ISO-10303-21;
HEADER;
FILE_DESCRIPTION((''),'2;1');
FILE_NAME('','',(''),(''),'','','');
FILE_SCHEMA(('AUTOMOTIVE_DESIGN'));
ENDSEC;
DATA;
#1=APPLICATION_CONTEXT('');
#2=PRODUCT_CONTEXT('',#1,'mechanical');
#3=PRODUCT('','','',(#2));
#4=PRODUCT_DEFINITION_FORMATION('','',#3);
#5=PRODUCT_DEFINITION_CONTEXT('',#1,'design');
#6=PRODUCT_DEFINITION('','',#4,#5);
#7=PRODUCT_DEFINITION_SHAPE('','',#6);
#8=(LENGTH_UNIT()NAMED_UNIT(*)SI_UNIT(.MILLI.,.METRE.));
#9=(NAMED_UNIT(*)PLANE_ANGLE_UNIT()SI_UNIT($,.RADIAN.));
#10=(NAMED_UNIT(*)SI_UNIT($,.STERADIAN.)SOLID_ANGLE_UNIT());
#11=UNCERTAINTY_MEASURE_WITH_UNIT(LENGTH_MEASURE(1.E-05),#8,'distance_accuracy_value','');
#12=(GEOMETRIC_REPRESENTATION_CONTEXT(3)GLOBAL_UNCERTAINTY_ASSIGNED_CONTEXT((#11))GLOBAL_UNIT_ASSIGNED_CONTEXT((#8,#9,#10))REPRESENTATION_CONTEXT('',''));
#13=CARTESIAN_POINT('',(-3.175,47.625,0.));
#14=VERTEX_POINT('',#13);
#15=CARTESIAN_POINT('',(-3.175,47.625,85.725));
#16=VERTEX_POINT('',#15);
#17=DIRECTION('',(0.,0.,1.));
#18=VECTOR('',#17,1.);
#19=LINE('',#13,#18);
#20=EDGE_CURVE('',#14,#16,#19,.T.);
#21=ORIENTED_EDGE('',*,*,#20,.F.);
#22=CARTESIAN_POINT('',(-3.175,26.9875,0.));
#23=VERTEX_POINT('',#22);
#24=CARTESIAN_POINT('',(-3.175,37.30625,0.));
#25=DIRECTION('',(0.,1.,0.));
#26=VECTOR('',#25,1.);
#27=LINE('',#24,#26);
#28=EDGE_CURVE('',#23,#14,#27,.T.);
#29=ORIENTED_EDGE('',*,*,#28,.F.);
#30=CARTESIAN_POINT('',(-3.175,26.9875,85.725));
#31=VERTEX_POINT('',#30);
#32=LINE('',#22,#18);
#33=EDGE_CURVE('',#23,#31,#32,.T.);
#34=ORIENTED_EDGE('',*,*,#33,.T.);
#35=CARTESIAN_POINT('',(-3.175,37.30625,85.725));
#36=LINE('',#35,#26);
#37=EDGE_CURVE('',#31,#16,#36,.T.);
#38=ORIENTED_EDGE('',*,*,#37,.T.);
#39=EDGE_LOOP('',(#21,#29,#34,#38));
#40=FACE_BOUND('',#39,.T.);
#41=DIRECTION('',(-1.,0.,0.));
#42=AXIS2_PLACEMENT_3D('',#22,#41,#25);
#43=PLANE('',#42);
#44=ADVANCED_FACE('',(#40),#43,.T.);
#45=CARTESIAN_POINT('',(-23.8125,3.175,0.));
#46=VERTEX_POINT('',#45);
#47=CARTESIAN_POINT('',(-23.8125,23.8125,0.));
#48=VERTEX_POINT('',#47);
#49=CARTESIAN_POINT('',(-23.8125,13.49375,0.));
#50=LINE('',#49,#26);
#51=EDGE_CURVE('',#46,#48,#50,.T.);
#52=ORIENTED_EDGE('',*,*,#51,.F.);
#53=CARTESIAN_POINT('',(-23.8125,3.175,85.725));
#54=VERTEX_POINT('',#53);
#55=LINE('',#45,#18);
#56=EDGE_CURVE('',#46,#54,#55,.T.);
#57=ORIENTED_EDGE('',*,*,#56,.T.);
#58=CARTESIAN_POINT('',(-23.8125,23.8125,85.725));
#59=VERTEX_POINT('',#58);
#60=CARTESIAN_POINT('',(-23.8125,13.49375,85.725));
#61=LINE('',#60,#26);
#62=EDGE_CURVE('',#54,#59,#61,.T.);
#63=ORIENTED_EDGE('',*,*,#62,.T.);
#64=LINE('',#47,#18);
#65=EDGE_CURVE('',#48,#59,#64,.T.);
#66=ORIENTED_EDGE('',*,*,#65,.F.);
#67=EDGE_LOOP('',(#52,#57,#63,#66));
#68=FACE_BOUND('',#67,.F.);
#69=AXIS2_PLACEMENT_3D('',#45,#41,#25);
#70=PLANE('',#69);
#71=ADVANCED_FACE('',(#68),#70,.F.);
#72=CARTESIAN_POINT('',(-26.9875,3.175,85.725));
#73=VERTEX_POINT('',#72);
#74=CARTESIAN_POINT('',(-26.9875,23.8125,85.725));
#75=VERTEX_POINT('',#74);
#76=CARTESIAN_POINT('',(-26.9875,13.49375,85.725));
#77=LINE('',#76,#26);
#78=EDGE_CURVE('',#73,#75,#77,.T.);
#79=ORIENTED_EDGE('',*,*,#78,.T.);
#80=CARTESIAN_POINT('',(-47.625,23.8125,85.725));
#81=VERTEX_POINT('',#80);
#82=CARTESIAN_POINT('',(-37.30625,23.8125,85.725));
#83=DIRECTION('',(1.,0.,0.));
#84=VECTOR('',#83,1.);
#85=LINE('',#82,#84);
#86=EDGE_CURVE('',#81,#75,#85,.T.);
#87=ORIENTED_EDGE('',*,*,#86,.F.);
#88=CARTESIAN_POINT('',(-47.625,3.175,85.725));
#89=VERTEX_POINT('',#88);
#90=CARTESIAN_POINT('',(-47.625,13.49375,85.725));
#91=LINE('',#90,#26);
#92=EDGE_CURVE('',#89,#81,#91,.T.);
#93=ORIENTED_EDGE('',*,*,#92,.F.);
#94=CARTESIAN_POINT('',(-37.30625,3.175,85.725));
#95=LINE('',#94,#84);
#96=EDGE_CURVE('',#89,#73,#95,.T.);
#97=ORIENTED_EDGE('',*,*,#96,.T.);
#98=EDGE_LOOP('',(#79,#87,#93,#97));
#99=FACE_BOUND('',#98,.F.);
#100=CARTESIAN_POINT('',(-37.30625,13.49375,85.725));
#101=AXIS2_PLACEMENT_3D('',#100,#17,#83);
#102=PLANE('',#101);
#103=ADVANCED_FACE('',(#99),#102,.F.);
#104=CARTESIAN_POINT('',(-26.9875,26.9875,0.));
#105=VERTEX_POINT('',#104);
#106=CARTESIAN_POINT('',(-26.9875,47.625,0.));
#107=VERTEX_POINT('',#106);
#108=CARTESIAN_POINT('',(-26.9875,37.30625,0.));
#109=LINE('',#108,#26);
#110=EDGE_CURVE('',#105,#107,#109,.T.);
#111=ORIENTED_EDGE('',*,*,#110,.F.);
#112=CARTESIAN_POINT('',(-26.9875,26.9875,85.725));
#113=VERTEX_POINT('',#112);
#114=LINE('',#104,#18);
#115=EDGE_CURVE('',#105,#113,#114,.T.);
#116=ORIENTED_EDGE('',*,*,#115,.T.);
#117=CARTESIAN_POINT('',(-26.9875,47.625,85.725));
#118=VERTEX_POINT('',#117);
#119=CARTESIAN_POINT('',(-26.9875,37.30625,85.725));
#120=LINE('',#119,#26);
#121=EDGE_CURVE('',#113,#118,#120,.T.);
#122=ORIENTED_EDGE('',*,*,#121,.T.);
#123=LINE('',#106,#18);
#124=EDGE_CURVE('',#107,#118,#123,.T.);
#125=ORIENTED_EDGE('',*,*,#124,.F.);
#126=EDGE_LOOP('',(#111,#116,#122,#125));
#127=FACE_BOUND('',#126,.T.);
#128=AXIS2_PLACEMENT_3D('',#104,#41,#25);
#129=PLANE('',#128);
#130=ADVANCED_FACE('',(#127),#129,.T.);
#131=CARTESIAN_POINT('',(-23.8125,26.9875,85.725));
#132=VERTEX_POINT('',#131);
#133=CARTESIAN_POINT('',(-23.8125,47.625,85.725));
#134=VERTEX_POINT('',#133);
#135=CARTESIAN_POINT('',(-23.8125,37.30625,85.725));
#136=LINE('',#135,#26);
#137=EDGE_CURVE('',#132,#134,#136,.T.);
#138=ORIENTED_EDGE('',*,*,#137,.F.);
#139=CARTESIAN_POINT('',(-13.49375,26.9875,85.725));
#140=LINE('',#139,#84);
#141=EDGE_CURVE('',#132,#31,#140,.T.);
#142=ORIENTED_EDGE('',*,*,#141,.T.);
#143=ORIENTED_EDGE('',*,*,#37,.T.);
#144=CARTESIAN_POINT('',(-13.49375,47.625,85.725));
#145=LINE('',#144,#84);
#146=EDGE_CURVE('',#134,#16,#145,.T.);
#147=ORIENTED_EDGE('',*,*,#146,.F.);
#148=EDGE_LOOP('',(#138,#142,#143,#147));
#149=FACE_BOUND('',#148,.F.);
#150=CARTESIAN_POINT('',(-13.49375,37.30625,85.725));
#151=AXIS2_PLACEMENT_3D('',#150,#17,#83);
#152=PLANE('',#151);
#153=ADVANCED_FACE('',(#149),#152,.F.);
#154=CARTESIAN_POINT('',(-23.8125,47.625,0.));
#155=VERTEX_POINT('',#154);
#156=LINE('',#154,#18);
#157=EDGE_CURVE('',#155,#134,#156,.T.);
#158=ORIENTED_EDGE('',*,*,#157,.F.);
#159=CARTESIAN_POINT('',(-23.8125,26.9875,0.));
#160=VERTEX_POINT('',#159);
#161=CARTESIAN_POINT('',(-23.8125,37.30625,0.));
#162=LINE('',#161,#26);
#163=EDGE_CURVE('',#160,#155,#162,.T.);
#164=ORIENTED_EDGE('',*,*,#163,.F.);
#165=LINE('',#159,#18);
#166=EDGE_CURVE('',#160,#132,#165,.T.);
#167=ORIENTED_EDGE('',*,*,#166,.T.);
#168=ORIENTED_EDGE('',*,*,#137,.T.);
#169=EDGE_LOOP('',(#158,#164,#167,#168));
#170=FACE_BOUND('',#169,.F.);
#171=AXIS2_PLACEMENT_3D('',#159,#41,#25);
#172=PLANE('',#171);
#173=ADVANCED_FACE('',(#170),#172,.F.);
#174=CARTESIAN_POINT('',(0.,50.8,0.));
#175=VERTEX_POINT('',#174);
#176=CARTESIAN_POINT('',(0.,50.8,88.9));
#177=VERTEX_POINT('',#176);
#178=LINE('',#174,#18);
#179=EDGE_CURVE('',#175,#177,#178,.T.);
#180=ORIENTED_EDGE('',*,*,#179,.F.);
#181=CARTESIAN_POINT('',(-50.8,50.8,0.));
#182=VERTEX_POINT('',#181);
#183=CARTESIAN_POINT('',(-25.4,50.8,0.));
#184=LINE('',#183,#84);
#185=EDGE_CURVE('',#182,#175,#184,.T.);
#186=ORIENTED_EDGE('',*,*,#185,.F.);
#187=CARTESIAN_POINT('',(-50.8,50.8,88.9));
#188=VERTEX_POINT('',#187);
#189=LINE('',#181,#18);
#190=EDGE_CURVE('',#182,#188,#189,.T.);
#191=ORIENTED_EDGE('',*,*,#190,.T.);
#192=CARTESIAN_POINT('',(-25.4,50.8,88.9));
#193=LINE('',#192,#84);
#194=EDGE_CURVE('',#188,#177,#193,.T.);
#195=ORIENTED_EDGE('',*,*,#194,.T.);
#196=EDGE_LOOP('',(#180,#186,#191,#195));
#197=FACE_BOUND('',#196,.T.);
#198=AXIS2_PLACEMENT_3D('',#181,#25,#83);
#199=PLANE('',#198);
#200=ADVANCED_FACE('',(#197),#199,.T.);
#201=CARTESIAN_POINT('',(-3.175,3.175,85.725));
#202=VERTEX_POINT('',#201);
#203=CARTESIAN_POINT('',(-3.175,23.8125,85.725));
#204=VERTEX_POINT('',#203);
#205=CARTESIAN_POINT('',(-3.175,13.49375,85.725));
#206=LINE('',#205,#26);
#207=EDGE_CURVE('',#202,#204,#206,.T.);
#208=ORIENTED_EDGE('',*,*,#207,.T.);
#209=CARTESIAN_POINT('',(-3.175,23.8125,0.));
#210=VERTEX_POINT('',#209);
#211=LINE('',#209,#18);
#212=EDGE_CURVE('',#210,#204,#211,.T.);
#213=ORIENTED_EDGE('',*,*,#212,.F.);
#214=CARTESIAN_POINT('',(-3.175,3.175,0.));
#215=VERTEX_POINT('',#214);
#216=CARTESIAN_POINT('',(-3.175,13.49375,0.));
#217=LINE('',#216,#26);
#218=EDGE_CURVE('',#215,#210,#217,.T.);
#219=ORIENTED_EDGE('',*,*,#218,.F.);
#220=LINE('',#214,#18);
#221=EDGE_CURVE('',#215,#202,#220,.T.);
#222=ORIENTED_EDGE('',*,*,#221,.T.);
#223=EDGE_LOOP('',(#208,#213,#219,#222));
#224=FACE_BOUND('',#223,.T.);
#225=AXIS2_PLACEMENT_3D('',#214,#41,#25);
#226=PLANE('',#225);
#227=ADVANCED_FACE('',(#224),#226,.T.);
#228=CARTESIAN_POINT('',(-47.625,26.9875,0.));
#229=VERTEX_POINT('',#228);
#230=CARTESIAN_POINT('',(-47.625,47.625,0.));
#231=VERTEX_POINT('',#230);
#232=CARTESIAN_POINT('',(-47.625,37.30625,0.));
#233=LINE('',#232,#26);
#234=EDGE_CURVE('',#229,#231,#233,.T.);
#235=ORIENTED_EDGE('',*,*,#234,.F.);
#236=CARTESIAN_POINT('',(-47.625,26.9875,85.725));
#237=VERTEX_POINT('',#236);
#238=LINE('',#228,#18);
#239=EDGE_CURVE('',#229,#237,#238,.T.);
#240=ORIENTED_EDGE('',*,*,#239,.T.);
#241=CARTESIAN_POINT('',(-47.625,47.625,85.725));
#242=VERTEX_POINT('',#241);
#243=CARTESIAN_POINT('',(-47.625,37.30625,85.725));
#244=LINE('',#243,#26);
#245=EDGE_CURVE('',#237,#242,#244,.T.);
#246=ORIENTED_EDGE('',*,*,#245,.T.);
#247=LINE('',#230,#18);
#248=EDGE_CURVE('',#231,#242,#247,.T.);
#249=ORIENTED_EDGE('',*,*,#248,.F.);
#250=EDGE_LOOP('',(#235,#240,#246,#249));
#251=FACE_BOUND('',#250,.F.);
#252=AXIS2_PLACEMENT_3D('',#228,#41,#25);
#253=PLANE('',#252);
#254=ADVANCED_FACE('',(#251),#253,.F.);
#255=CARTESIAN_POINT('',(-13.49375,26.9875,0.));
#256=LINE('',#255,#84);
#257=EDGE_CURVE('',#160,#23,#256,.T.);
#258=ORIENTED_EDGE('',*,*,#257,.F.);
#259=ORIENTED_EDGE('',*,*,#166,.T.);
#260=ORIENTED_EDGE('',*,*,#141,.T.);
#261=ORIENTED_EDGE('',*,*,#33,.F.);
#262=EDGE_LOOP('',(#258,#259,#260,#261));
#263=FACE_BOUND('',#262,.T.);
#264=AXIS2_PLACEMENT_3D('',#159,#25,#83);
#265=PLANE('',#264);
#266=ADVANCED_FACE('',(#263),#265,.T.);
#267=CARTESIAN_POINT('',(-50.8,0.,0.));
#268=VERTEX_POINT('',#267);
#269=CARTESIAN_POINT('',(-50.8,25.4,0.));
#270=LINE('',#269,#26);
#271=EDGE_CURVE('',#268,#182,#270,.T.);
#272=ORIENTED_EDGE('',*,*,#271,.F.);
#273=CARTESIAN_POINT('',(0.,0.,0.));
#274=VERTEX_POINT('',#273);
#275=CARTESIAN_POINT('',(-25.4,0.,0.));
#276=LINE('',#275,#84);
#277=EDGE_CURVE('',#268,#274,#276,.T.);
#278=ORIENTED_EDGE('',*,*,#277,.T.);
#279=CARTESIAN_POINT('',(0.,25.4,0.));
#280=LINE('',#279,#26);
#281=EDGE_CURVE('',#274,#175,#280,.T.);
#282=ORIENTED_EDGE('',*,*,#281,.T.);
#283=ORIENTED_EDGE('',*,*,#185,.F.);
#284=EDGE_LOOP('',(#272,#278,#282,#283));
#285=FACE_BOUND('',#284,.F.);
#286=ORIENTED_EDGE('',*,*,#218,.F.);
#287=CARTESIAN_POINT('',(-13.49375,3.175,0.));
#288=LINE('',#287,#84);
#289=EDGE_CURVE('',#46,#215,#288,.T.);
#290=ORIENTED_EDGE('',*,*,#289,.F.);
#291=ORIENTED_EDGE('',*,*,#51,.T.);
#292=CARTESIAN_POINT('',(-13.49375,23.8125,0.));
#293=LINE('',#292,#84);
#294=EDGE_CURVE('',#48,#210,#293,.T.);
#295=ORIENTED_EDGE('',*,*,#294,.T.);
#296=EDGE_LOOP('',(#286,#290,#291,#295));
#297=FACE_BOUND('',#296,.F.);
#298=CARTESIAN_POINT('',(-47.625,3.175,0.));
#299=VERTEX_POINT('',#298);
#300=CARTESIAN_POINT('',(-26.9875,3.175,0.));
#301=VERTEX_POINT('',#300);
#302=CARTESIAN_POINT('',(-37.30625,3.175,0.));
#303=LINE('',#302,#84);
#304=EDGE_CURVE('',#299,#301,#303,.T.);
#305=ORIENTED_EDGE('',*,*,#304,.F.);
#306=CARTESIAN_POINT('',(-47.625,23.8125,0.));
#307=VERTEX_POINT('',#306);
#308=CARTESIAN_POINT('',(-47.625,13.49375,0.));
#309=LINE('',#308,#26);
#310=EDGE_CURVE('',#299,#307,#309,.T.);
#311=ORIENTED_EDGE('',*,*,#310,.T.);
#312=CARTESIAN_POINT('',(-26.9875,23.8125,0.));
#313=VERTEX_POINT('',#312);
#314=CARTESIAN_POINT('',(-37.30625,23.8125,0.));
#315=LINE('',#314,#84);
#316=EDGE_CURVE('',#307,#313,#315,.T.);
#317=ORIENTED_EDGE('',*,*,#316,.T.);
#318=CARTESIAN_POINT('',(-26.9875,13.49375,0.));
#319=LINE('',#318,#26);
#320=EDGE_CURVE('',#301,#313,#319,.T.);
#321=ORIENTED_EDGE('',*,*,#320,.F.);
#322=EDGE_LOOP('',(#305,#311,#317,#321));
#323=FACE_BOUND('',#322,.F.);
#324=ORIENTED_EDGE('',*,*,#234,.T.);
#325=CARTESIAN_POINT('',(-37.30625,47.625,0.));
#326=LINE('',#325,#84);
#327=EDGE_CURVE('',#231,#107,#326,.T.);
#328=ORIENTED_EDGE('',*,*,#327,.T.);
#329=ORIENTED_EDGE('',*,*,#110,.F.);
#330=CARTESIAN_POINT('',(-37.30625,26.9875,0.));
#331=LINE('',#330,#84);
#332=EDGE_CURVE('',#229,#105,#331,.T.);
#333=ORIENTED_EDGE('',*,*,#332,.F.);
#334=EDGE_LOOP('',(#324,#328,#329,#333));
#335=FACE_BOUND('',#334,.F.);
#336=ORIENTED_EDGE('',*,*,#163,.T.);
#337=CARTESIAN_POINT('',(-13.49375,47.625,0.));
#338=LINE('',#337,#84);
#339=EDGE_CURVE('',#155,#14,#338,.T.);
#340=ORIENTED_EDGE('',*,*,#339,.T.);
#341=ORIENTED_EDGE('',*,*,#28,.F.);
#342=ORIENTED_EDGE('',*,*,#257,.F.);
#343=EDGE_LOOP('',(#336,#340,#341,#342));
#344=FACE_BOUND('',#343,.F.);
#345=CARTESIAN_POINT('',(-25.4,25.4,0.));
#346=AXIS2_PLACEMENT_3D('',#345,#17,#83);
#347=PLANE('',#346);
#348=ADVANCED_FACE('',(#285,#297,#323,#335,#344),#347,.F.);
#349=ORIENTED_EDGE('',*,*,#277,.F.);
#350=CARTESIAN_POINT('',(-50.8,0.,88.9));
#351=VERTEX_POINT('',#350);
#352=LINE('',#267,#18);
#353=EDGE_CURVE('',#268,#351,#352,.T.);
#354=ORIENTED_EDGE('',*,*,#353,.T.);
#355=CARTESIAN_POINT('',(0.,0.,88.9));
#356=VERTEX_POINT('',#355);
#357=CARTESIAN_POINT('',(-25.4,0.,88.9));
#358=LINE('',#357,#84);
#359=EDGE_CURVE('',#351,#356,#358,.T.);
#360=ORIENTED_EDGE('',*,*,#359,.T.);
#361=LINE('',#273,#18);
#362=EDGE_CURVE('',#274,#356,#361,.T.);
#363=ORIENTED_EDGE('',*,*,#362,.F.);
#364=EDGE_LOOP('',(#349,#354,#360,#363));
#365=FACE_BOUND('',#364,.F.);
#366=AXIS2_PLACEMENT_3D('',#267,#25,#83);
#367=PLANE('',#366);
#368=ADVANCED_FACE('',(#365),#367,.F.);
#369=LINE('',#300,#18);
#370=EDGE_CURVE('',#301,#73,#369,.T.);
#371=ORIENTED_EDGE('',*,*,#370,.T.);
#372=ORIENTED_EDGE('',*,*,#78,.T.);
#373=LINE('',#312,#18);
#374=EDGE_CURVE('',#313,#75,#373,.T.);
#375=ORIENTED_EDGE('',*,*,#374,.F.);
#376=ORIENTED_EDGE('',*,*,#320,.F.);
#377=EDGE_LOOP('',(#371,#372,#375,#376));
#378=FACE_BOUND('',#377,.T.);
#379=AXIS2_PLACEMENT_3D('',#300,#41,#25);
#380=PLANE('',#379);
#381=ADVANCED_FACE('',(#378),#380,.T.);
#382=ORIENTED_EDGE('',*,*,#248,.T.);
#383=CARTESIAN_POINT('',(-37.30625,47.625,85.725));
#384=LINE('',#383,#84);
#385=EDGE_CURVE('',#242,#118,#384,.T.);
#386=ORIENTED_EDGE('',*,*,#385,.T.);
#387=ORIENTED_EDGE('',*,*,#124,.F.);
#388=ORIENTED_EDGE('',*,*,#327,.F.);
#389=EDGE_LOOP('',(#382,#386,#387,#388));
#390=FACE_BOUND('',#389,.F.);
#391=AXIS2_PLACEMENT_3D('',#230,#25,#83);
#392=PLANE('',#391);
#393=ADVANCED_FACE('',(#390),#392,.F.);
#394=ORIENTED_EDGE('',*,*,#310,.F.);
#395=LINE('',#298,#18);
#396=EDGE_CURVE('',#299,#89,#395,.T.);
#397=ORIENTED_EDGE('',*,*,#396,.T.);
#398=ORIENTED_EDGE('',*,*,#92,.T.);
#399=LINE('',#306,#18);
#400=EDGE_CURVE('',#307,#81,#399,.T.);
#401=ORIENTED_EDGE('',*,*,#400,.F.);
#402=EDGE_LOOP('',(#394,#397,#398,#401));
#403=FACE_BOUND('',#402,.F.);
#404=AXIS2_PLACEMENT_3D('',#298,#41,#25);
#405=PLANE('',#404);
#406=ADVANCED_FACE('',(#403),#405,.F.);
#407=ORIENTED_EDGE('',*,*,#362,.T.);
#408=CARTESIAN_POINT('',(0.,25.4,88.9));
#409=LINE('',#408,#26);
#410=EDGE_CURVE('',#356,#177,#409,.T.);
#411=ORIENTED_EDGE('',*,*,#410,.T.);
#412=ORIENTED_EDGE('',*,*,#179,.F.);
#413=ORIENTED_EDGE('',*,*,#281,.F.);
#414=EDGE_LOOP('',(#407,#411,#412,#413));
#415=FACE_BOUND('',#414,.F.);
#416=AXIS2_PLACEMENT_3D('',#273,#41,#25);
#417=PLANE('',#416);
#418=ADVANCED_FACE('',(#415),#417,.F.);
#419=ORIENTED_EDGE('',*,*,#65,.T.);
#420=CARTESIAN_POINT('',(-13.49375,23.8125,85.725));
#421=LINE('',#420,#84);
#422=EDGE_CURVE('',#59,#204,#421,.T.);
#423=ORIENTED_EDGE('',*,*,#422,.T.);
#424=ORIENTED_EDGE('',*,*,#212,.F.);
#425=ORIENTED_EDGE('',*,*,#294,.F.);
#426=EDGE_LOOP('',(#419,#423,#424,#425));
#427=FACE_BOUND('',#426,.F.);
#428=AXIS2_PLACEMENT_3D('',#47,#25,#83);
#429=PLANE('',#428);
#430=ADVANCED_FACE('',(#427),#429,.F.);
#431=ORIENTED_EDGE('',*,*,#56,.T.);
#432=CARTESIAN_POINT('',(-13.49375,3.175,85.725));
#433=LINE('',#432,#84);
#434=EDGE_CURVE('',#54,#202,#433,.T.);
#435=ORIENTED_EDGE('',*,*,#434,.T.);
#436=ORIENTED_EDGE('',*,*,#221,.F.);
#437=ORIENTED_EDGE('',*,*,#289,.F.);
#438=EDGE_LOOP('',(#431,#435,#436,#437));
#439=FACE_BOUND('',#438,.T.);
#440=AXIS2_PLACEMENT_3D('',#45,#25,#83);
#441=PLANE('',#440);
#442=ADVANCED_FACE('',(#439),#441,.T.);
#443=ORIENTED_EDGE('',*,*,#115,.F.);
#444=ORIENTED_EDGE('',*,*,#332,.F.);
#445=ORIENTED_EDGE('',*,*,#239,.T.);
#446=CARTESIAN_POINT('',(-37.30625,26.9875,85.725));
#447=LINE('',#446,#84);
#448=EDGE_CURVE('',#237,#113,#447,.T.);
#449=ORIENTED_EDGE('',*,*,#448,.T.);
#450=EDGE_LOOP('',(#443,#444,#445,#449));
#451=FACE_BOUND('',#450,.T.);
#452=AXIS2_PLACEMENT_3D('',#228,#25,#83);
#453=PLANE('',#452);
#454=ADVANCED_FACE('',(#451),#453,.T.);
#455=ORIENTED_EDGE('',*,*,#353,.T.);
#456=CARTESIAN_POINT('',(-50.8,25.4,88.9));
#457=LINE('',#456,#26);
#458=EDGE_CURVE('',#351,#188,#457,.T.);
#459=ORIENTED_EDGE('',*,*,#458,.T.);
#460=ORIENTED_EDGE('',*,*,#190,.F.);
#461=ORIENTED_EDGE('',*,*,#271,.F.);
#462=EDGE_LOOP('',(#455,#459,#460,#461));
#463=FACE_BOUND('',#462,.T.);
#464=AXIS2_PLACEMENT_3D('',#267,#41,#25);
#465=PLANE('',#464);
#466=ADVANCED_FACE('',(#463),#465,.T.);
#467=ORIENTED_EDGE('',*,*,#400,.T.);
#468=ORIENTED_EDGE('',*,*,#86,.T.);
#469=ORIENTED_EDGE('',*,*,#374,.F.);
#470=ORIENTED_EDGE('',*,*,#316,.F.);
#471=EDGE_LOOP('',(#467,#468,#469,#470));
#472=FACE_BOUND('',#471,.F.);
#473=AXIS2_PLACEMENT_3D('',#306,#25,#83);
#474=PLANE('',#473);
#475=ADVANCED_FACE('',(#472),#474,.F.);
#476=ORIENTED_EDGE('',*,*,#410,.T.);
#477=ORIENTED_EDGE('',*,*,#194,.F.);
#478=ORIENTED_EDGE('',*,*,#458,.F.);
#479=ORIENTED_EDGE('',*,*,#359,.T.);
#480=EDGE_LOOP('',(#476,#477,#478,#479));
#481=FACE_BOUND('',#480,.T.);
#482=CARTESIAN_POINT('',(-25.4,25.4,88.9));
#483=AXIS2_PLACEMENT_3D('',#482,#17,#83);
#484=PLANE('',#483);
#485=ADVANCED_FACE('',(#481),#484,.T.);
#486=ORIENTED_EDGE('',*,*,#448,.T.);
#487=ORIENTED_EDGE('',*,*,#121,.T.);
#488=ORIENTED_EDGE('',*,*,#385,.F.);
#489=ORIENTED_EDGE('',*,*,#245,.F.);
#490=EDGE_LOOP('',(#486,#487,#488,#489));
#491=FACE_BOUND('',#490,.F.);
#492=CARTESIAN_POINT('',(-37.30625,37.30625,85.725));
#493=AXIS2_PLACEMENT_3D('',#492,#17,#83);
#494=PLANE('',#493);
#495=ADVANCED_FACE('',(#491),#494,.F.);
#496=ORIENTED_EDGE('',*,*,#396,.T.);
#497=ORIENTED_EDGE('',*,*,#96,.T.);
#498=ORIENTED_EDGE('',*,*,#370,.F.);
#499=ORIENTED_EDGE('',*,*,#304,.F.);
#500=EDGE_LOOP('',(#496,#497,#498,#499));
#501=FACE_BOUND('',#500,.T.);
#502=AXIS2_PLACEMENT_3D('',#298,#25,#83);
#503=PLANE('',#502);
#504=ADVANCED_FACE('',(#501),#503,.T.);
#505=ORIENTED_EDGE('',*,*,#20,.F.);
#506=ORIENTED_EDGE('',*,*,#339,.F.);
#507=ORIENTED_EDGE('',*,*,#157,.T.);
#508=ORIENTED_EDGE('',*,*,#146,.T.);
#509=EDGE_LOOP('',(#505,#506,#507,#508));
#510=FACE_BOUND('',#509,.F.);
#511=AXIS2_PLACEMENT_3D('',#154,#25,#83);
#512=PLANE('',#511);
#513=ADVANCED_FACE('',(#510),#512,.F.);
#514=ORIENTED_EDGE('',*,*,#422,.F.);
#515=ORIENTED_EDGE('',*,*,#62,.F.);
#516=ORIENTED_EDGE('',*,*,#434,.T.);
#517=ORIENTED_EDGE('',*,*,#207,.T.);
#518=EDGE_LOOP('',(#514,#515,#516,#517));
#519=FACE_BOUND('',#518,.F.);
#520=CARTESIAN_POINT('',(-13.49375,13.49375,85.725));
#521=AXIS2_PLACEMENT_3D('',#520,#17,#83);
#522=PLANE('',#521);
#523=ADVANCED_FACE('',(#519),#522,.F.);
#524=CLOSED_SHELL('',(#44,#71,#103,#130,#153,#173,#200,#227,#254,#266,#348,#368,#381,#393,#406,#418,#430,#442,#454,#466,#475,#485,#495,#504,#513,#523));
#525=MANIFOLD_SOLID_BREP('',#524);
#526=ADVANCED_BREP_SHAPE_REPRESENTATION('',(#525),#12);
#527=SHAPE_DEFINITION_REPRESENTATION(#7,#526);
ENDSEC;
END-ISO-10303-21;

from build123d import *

# Parameters (mm, degrees)
F0_W     = 50.8
F0_H     = 50.8
F1_DEPTH = 88.9
F2_W     = 20.6375
F2_H     = 20.6375
F3_DEPTH = 85.725


with BuildPart() as f1:
    # F0 (on Top) → F1 (new body)
    with BuildSketch(Plane.XY):
        with Locations((-25.4, 25.4)):
            Rectangle(F0_W, F0_H)
    extrude(amount=F1_DEPTH)

    # F2 (on Top) → F3 (cut)
    with BuildSketch(Plane.XY):
        with Locations((-37.30625, 37.30625)):
            Rectangle(F2_W, F2_H)
        with Locations((-13.49375, 37.30625)):
            Rectangle(F2_W, F2_H)
        with Locations((-37.30625, 13.49375)):
            Rectangle(F2_W, F2_H)
        with Locations((-13.49375, 13.49375)):
            Rectangle(F2_W, F2_H)
    extrude(amount=F3_DEPTH, mode=Mode.SUBTRACT)


solid = f1.part
